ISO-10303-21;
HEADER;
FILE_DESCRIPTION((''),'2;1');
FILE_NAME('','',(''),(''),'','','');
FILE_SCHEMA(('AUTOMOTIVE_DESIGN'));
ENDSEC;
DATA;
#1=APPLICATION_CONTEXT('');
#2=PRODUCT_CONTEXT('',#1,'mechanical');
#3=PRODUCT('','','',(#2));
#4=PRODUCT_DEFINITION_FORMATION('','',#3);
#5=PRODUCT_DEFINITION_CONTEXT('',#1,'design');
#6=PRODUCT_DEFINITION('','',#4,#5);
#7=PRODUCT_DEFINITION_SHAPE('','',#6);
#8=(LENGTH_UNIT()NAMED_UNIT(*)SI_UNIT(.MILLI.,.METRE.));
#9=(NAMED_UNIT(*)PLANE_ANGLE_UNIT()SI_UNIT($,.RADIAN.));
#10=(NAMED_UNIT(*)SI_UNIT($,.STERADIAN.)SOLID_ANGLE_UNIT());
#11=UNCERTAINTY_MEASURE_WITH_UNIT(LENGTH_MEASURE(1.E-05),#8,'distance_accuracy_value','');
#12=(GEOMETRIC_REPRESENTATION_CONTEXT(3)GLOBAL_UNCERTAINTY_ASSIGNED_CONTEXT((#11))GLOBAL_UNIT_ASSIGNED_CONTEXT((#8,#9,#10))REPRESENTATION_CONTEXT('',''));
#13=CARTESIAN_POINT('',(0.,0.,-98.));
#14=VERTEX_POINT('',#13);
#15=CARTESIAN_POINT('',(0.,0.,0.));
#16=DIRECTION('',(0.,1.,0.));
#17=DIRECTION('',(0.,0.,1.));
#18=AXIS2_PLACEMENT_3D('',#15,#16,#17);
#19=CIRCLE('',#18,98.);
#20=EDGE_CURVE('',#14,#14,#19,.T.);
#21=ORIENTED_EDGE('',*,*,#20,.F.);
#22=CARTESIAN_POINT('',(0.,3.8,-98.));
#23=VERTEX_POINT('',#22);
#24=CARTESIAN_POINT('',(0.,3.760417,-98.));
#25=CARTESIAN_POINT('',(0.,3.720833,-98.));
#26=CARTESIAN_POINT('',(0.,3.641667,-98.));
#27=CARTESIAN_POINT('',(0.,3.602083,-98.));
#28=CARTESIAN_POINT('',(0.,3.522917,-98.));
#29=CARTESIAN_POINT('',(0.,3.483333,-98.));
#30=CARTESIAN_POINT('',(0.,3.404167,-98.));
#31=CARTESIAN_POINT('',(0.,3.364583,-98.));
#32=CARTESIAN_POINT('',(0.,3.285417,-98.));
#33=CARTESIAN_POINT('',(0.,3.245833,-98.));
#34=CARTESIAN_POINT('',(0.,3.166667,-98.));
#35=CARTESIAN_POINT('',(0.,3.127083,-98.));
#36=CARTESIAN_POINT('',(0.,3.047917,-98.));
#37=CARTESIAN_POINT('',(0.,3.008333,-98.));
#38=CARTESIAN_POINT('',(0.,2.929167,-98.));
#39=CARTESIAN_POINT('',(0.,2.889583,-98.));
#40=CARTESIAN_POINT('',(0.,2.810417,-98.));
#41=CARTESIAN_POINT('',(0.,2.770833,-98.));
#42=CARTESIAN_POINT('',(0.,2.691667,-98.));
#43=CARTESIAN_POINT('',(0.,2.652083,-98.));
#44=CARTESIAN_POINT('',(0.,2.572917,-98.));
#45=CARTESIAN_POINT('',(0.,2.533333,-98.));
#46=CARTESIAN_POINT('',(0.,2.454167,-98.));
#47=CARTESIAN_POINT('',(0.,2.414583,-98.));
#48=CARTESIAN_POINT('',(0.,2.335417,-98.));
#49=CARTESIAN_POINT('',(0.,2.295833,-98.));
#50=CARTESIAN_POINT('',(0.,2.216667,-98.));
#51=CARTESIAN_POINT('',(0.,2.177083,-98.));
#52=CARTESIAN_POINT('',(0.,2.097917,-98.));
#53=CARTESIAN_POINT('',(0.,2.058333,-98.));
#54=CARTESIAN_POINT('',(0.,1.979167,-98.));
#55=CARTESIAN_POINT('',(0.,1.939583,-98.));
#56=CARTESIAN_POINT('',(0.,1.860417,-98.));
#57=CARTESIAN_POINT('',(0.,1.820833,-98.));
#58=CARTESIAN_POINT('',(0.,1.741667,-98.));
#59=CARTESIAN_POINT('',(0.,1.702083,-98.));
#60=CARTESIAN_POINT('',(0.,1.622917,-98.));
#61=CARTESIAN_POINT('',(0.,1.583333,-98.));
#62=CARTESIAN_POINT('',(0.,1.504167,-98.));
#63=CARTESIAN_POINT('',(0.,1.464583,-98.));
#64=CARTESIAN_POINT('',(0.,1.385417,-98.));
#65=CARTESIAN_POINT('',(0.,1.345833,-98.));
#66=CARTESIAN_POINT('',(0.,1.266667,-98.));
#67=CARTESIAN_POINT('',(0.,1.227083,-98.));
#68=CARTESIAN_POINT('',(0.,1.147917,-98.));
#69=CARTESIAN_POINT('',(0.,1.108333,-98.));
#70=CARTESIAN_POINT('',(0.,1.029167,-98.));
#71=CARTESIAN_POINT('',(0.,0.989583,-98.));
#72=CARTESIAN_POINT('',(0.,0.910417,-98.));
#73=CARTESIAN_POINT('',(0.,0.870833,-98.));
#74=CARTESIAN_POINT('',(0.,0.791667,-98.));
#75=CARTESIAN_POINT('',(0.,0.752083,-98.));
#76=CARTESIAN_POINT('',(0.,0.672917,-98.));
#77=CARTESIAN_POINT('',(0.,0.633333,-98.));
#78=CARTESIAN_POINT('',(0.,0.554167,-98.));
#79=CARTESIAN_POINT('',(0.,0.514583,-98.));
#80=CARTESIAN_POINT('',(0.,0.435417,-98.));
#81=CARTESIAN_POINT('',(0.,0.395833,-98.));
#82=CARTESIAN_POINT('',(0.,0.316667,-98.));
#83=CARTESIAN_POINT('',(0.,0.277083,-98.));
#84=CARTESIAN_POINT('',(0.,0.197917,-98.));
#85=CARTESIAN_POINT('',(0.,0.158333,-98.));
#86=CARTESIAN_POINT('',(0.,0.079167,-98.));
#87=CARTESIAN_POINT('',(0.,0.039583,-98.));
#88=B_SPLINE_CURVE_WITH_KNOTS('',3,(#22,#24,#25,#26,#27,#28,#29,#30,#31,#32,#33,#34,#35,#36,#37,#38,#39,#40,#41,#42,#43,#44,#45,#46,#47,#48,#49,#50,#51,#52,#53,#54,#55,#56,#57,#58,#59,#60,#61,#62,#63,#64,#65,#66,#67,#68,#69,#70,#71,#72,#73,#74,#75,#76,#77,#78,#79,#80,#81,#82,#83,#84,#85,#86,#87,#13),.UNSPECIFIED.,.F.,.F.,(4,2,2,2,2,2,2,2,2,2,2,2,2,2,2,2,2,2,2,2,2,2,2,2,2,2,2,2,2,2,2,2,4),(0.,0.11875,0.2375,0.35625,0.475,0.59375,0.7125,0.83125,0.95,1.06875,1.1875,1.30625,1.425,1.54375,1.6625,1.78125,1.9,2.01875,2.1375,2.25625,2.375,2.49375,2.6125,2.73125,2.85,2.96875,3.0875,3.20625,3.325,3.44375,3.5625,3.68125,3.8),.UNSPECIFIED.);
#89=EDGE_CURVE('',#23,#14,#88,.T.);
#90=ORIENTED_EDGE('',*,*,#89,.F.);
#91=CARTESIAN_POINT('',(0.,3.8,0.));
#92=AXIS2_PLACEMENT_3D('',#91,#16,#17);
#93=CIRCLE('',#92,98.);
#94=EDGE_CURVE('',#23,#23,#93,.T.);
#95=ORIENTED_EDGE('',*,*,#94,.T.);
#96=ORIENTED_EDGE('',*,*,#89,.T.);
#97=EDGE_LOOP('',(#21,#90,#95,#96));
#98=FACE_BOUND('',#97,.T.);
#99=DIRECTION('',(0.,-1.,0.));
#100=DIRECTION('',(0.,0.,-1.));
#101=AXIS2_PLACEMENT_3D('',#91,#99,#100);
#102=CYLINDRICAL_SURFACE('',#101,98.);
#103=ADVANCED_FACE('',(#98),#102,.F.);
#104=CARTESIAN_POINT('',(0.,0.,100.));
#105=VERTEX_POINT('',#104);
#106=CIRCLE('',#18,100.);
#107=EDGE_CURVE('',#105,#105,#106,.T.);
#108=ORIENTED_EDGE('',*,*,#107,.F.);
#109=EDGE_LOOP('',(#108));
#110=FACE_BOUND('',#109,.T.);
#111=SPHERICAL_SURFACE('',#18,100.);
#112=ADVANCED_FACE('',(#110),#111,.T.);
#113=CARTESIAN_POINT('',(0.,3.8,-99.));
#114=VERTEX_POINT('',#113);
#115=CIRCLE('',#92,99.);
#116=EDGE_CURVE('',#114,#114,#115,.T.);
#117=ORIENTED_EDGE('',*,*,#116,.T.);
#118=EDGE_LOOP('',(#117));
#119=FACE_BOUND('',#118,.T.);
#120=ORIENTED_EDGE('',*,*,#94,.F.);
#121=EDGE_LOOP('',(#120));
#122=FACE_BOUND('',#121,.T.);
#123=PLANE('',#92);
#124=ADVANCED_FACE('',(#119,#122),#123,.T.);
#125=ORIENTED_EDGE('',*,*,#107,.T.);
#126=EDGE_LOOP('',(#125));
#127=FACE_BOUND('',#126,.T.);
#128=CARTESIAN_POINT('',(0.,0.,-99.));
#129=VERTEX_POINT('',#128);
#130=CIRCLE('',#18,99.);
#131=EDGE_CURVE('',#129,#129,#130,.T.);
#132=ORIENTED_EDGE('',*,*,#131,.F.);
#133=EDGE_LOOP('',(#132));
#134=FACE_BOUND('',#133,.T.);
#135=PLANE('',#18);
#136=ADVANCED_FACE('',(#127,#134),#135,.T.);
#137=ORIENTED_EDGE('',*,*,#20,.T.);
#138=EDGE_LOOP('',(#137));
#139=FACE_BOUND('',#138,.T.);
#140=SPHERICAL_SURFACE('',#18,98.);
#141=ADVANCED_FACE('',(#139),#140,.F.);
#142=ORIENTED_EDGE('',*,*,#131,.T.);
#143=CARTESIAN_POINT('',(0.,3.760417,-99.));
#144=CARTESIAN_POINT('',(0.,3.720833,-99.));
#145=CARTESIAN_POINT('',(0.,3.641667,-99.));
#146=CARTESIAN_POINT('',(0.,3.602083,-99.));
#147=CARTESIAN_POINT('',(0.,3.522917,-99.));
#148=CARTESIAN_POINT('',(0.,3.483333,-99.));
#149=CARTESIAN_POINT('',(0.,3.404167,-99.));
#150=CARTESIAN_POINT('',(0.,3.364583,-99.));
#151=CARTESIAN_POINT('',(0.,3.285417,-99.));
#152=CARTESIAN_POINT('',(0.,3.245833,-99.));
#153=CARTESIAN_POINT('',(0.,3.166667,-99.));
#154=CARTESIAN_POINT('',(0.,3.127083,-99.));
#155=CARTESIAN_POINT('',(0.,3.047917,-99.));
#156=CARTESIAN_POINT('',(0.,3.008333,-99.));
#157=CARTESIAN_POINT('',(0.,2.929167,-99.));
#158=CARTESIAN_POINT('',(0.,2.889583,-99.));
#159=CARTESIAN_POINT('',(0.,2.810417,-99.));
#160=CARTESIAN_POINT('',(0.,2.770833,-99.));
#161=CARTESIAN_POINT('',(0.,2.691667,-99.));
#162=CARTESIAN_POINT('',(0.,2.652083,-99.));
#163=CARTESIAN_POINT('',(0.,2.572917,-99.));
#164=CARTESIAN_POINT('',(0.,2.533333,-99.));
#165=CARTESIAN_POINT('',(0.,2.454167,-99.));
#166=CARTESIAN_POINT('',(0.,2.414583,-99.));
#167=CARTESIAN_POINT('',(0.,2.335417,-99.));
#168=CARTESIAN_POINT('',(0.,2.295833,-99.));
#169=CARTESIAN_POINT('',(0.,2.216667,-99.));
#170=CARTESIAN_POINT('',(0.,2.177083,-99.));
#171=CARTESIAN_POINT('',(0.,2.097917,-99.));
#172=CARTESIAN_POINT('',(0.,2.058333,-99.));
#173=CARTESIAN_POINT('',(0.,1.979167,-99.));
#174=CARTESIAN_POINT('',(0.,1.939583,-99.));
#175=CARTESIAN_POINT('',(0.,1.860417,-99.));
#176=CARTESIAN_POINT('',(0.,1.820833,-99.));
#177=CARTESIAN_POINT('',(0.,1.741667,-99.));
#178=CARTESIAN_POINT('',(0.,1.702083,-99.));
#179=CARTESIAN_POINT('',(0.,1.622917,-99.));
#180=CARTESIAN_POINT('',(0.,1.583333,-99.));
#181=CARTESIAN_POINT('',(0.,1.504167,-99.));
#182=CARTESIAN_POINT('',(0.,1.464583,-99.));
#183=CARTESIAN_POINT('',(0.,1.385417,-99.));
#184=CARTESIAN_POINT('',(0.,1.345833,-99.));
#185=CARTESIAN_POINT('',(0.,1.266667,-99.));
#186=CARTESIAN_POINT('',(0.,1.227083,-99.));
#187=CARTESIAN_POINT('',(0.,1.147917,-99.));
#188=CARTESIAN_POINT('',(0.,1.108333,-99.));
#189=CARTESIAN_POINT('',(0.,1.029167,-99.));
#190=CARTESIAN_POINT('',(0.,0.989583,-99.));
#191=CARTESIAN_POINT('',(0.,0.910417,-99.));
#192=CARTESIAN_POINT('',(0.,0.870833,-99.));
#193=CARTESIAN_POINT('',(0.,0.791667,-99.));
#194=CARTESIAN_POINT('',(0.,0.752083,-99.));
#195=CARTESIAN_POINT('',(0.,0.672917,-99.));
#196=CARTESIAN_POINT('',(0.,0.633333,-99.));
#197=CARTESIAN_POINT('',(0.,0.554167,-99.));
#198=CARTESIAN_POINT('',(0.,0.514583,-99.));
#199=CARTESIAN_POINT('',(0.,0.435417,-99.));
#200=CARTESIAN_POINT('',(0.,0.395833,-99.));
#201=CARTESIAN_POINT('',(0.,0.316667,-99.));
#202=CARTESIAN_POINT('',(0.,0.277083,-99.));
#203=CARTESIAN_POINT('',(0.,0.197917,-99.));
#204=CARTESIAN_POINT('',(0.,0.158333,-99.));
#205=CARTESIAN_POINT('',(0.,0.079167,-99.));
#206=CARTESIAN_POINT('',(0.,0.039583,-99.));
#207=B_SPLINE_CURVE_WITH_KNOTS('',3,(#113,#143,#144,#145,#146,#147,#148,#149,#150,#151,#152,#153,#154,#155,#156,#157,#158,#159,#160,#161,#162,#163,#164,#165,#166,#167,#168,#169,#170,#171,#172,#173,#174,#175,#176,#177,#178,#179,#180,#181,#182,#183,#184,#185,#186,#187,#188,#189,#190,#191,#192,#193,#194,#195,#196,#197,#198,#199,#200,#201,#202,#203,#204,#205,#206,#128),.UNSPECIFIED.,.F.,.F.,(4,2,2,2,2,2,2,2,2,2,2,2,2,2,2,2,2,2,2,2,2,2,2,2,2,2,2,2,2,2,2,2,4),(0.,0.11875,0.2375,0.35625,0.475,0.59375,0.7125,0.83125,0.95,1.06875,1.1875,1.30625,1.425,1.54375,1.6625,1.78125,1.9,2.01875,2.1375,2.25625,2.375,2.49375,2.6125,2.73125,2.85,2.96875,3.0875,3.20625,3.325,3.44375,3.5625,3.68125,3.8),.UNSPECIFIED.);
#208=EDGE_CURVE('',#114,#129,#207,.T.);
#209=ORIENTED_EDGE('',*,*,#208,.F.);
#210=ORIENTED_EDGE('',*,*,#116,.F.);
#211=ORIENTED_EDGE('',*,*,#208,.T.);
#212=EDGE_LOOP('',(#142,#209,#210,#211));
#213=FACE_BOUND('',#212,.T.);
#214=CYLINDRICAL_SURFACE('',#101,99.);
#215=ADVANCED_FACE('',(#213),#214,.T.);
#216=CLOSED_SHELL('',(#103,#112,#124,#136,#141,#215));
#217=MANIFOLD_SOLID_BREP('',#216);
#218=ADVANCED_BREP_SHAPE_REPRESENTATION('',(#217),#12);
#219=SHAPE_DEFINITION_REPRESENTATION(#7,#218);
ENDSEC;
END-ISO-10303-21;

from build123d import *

# Parameters (mm, degrees)
SHELL1_T            = 2
SKETCH2_R           = 125.720178412
CUT_EXTRUDE1_DEPTH  = 156
SKETCH3_R           = 99
SKETCH3_R_2         = 98
BOSS_EXTRUDE1_DEPTH = 3.8


with BuildPart() as part:
    # Sketch1 → Revolve1 (revolve)
    with BuildSketch(Plane(origin=(0, 0, 0), x_dir=(1, 0, 0), z_dir=(0, 1, 0))):
        with BuildLine():
            Line((0, 100), (0, -100))
            ThreePointArc((0, -100), (100, 0), (0, 100))
        make_face()
    revolve(axis=Axis((0, 0, -100), (0, 0, 1)))

    # Shell1 (no face opened: a closed hollow body)
    add(offset(amount=-SHELL1_T, mode=Mode.PRIVATE), mode=Mode.SUBTRACT)

    # Sketch2 → Cut-Extrude1 (cut)
    with BuildSketch(Plane(origin=(0, 0, 0), x_dir=(1, 0, 0), z_dir=(0, 1, 0))):
        Circle(SKETCH2_R)
    extrude(amount=CUT_EXTRUDE1_DEPTH, mode=Mode.SUBTRACT)

    # Sketch3 → Boss-Extrude1 (add)
    with BuildSketch(Plane(origin=(0, 0, 0), x_dir=(1, 0, 0), z_dir=(0, 1, 0))):
        with Locations(Location((0, 0, 0), (0, 0, 90))):
            Circle(SKETCH3_R)
        with Locations(Location((0, 0, 0), (0, 0, 90))):
            Circle(SKETCH3_R_2, mode=Mode.SUBTRACT)
    extrude(amount=BOSS_EXTRUDE1_DEPTH)


solid = part.part
